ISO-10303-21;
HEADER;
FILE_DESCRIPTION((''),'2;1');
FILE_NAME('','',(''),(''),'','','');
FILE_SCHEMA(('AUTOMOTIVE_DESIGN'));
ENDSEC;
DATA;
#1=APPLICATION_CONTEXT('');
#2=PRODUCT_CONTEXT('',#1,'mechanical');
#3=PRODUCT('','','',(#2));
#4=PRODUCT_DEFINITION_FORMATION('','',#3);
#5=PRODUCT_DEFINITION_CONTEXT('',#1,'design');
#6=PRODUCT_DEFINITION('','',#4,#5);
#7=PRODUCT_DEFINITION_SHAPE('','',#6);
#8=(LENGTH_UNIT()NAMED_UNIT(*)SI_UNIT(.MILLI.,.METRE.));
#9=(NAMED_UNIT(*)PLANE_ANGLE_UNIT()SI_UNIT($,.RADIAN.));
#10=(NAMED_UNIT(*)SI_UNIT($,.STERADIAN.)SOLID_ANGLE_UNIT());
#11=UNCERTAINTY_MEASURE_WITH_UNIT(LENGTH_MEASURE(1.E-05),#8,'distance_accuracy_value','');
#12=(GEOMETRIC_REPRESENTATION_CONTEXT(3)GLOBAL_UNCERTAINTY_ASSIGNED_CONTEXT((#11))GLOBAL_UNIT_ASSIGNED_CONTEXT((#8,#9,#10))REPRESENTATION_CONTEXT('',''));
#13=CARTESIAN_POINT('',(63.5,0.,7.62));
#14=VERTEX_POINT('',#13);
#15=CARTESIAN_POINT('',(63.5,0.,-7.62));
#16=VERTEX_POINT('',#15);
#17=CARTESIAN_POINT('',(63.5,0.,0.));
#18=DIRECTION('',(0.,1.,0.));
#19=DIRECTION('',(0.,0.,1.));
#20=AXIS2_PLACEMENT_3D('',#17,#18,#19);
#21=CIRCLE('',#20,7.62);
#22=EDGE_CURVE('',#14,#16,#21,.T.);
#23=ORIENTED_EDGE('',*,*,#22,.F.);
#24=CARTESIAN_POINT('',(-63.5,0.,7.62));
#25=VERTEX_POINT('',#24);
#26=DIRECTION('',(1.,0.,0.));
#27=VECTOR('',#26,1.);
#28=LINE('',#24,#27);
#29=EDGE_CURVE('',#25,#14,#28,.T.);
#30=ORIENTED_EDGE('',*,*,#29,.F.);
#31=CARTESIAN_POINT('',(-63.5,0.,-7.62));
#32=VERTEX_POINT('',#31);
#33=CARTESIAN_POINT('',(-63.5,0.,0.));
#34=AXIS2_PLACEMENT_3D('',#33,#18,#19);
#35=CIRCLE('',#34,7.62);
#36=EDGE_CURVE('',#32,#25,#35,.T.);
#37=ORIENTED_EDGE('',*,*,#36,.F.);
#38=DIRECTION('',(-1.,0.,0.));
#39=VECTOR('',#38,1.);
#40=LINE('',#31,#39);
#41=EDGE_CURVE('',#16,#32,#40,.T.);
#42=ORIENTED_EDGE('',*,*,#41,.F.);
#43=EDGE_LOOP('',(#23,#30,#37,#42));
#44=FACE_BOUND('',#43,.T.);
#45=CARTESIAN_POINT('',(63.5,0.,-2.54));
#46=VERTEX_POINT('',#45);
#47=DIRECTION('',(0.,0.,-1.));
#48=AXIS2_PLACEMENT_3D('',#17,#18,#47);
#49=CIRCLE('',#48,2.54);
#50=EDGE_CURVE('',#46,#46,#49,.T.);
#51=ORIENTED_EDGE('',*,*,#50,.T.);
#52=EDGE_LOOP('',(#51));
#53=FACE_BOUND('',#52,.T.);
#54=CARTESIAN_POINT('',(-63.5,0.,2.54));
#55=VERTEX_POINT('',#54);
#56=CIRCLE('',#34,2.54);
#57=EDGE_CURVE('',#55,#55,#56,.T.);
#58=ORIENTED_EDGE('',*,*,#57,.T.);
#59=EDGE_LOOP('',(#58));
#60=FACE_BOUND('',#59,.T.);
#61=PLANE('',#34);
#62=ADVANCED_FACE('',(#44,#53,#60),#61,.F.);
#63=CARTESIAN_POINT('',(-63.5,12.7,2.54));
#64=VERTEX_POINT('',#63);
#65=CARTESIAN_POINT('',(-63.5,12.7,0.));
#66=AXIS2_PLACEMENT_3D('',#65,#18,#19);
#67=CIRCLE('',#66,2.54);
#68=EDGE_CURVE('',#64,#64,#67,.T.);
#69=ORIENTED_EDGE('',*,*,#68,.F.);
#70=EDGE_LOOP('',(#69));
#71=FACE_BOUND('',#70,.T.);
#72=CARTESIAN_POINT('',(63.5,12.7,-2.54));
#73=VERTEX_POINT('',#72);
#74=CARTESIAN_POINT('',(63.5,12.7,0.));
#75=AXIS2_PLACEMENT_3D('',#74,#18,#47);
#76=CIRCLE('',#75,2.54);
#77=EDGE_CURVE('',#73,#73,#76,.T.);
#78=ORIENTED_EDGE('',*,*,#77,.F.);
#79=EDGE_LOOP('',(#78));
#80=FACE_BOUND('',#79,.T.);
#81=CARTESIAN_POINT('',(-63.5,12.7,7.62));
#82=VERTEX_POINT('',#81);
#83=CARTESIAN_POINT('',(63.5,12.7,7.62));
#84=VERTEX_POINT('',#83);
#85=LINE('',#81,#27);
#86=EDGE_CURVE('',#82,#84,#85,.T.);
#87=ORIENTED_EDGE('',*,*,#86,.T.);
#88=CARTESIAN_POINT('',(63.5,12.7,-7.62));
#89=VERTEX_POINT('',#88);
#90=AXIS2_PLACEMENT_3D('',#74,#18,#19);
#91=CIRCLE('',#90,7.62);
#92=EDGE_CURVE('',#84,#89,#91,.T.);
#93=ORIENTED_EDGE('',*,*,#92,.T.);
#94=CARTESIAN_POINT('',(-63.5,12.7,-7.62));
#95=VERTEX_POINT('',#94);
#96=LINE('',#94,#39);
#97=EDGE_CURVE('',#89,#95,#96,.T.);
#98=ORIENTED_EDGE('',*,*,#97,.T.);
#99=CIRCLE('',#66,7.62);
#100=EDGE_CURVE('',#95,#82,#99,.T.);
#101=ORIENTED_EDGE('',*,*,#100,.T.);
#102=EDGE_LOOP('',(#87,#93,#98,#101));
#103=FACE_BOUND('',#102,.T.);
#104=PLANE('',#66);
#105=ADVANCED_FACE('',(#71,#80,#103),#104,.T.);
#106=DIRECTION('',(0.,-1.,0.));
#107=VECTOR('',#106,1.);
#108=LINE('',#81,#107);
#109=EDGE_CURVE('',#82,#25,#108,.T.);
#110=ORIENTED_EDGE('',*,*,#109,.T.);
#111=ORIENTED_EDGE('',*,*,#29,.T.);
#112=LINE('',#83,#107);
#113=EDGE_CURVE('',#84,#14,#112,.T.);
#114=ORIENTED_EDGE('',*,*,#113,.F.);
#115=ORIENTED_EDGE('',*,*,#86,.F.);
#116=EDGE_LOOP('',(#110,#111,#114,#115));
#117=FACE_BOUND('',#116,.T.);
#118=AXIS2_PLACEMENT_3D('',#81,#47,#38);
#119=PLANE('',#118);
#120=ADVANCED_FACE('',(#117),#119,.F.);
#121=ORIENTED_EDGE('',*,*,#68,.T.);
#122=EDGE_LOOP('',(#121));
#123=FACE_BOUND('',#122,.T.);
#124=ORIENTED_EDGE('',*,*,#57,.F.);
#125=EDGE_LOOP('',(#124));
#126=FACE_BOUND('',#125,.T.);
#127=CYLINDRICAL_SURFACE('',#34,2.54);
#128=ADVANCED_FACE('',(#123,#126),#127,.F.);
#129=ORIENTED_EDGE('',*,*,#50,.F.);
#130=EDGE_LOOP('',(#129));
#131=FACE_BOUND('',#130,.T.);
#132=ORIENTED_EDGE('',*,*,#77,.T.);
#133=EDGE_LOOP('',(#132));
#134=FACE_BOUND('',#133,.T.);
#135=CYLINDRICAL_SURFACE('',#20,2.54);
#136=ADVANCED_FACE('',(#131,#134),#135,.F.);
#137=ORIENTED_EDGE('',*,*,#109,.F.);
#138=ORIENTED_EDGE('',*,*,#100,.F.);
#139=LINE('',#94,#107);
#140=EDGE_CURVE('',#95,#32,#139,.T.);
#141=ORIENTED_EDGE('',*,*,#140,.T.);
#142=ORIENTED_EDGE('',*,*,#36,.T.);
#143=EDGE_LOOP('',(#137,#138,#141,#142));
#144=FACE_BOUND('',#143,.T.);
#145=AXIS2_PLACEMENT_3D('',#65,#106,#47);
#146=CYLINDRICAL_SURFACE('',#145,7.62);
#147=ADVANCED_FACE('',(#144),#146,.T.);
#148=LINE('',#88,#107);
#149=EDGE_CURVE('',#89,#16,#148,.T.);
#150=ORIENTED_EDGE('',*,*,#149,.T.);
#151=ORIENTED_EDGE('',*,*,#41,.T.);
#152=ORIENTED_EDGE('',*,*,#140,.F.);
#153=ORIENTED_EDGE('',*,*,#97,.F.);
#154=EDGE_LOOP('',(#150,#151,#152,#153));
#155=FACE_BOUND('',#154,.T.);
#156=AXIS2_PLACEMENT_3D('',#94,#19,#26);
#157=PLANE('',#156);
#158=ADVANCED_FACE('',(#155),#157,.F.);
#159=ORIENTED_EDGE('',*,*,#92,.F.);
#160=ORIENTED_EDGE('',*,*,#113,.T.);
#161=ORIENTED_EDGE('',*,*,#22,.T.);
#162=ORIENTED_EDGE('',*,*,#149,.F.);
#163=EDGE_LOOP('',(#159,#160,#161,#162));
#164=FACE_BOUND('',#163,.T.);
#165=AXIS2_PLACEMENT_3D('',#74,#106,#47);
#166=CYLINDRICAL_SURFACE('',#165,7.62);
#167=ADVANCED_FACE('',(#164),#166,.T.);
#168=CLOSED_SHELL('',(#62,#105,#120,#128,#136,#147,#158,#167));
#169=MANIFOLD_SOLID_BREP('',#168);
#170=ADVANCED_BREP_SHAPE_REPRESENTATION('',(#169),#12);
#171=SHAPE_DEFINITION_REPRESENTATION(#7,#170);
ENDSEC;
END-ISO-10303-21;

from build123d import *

# Parameters (mm, degrees)
BOSS_EXTRUDE1_DEPTH = 12.7
SKETCH4_R           = 2.54
CUT_EXTRUDE3_DEPTH  = 73.645776202


with BuildPart() as part:
    # Sketch3 → Boss-Extrude1 (new body)
    with BuildSketch(Plane(origin=(0, 0, 0), x_dir=(1, 0, 0), z_dir=(0, 1, 0))):
        with BuildLine():
            Line((-63.5, 7.62), (63.5, 7.62))
            ThreePointArc((63.5, 7.62), (71.12, 0), (63.5, -7.62))
            Line((63.5, -7.62), (-63.5, -7.62))
            ThreePointArc((-63.5, -7.62), (-71.12, 0), (-63.5, 7.62))
        make_face()
    extrude(amount=BOSS_EXTRUDE1_DEPTH)

    # Sketch4 → Cut-Extrude3 (cut, through all)
    with BuildSketch(Plane(origin=(0, 12.7, 0), x_dir=(1, 0, 0), z_dir=(0, 1, 0))):
        with Locations(Location((-63.5, 0, 0), (0, 0, 270))):
            Circle(SKETCH4_R)
        with Locations(Location((63.5, 0, 0), (0, 0, 90))):
            Circle(SKETCH4_R)
    extrude(amount=-CUT_EXTRUDE3_DEPTH, mode=Mode.SUBTRACT)


solid = part.part
